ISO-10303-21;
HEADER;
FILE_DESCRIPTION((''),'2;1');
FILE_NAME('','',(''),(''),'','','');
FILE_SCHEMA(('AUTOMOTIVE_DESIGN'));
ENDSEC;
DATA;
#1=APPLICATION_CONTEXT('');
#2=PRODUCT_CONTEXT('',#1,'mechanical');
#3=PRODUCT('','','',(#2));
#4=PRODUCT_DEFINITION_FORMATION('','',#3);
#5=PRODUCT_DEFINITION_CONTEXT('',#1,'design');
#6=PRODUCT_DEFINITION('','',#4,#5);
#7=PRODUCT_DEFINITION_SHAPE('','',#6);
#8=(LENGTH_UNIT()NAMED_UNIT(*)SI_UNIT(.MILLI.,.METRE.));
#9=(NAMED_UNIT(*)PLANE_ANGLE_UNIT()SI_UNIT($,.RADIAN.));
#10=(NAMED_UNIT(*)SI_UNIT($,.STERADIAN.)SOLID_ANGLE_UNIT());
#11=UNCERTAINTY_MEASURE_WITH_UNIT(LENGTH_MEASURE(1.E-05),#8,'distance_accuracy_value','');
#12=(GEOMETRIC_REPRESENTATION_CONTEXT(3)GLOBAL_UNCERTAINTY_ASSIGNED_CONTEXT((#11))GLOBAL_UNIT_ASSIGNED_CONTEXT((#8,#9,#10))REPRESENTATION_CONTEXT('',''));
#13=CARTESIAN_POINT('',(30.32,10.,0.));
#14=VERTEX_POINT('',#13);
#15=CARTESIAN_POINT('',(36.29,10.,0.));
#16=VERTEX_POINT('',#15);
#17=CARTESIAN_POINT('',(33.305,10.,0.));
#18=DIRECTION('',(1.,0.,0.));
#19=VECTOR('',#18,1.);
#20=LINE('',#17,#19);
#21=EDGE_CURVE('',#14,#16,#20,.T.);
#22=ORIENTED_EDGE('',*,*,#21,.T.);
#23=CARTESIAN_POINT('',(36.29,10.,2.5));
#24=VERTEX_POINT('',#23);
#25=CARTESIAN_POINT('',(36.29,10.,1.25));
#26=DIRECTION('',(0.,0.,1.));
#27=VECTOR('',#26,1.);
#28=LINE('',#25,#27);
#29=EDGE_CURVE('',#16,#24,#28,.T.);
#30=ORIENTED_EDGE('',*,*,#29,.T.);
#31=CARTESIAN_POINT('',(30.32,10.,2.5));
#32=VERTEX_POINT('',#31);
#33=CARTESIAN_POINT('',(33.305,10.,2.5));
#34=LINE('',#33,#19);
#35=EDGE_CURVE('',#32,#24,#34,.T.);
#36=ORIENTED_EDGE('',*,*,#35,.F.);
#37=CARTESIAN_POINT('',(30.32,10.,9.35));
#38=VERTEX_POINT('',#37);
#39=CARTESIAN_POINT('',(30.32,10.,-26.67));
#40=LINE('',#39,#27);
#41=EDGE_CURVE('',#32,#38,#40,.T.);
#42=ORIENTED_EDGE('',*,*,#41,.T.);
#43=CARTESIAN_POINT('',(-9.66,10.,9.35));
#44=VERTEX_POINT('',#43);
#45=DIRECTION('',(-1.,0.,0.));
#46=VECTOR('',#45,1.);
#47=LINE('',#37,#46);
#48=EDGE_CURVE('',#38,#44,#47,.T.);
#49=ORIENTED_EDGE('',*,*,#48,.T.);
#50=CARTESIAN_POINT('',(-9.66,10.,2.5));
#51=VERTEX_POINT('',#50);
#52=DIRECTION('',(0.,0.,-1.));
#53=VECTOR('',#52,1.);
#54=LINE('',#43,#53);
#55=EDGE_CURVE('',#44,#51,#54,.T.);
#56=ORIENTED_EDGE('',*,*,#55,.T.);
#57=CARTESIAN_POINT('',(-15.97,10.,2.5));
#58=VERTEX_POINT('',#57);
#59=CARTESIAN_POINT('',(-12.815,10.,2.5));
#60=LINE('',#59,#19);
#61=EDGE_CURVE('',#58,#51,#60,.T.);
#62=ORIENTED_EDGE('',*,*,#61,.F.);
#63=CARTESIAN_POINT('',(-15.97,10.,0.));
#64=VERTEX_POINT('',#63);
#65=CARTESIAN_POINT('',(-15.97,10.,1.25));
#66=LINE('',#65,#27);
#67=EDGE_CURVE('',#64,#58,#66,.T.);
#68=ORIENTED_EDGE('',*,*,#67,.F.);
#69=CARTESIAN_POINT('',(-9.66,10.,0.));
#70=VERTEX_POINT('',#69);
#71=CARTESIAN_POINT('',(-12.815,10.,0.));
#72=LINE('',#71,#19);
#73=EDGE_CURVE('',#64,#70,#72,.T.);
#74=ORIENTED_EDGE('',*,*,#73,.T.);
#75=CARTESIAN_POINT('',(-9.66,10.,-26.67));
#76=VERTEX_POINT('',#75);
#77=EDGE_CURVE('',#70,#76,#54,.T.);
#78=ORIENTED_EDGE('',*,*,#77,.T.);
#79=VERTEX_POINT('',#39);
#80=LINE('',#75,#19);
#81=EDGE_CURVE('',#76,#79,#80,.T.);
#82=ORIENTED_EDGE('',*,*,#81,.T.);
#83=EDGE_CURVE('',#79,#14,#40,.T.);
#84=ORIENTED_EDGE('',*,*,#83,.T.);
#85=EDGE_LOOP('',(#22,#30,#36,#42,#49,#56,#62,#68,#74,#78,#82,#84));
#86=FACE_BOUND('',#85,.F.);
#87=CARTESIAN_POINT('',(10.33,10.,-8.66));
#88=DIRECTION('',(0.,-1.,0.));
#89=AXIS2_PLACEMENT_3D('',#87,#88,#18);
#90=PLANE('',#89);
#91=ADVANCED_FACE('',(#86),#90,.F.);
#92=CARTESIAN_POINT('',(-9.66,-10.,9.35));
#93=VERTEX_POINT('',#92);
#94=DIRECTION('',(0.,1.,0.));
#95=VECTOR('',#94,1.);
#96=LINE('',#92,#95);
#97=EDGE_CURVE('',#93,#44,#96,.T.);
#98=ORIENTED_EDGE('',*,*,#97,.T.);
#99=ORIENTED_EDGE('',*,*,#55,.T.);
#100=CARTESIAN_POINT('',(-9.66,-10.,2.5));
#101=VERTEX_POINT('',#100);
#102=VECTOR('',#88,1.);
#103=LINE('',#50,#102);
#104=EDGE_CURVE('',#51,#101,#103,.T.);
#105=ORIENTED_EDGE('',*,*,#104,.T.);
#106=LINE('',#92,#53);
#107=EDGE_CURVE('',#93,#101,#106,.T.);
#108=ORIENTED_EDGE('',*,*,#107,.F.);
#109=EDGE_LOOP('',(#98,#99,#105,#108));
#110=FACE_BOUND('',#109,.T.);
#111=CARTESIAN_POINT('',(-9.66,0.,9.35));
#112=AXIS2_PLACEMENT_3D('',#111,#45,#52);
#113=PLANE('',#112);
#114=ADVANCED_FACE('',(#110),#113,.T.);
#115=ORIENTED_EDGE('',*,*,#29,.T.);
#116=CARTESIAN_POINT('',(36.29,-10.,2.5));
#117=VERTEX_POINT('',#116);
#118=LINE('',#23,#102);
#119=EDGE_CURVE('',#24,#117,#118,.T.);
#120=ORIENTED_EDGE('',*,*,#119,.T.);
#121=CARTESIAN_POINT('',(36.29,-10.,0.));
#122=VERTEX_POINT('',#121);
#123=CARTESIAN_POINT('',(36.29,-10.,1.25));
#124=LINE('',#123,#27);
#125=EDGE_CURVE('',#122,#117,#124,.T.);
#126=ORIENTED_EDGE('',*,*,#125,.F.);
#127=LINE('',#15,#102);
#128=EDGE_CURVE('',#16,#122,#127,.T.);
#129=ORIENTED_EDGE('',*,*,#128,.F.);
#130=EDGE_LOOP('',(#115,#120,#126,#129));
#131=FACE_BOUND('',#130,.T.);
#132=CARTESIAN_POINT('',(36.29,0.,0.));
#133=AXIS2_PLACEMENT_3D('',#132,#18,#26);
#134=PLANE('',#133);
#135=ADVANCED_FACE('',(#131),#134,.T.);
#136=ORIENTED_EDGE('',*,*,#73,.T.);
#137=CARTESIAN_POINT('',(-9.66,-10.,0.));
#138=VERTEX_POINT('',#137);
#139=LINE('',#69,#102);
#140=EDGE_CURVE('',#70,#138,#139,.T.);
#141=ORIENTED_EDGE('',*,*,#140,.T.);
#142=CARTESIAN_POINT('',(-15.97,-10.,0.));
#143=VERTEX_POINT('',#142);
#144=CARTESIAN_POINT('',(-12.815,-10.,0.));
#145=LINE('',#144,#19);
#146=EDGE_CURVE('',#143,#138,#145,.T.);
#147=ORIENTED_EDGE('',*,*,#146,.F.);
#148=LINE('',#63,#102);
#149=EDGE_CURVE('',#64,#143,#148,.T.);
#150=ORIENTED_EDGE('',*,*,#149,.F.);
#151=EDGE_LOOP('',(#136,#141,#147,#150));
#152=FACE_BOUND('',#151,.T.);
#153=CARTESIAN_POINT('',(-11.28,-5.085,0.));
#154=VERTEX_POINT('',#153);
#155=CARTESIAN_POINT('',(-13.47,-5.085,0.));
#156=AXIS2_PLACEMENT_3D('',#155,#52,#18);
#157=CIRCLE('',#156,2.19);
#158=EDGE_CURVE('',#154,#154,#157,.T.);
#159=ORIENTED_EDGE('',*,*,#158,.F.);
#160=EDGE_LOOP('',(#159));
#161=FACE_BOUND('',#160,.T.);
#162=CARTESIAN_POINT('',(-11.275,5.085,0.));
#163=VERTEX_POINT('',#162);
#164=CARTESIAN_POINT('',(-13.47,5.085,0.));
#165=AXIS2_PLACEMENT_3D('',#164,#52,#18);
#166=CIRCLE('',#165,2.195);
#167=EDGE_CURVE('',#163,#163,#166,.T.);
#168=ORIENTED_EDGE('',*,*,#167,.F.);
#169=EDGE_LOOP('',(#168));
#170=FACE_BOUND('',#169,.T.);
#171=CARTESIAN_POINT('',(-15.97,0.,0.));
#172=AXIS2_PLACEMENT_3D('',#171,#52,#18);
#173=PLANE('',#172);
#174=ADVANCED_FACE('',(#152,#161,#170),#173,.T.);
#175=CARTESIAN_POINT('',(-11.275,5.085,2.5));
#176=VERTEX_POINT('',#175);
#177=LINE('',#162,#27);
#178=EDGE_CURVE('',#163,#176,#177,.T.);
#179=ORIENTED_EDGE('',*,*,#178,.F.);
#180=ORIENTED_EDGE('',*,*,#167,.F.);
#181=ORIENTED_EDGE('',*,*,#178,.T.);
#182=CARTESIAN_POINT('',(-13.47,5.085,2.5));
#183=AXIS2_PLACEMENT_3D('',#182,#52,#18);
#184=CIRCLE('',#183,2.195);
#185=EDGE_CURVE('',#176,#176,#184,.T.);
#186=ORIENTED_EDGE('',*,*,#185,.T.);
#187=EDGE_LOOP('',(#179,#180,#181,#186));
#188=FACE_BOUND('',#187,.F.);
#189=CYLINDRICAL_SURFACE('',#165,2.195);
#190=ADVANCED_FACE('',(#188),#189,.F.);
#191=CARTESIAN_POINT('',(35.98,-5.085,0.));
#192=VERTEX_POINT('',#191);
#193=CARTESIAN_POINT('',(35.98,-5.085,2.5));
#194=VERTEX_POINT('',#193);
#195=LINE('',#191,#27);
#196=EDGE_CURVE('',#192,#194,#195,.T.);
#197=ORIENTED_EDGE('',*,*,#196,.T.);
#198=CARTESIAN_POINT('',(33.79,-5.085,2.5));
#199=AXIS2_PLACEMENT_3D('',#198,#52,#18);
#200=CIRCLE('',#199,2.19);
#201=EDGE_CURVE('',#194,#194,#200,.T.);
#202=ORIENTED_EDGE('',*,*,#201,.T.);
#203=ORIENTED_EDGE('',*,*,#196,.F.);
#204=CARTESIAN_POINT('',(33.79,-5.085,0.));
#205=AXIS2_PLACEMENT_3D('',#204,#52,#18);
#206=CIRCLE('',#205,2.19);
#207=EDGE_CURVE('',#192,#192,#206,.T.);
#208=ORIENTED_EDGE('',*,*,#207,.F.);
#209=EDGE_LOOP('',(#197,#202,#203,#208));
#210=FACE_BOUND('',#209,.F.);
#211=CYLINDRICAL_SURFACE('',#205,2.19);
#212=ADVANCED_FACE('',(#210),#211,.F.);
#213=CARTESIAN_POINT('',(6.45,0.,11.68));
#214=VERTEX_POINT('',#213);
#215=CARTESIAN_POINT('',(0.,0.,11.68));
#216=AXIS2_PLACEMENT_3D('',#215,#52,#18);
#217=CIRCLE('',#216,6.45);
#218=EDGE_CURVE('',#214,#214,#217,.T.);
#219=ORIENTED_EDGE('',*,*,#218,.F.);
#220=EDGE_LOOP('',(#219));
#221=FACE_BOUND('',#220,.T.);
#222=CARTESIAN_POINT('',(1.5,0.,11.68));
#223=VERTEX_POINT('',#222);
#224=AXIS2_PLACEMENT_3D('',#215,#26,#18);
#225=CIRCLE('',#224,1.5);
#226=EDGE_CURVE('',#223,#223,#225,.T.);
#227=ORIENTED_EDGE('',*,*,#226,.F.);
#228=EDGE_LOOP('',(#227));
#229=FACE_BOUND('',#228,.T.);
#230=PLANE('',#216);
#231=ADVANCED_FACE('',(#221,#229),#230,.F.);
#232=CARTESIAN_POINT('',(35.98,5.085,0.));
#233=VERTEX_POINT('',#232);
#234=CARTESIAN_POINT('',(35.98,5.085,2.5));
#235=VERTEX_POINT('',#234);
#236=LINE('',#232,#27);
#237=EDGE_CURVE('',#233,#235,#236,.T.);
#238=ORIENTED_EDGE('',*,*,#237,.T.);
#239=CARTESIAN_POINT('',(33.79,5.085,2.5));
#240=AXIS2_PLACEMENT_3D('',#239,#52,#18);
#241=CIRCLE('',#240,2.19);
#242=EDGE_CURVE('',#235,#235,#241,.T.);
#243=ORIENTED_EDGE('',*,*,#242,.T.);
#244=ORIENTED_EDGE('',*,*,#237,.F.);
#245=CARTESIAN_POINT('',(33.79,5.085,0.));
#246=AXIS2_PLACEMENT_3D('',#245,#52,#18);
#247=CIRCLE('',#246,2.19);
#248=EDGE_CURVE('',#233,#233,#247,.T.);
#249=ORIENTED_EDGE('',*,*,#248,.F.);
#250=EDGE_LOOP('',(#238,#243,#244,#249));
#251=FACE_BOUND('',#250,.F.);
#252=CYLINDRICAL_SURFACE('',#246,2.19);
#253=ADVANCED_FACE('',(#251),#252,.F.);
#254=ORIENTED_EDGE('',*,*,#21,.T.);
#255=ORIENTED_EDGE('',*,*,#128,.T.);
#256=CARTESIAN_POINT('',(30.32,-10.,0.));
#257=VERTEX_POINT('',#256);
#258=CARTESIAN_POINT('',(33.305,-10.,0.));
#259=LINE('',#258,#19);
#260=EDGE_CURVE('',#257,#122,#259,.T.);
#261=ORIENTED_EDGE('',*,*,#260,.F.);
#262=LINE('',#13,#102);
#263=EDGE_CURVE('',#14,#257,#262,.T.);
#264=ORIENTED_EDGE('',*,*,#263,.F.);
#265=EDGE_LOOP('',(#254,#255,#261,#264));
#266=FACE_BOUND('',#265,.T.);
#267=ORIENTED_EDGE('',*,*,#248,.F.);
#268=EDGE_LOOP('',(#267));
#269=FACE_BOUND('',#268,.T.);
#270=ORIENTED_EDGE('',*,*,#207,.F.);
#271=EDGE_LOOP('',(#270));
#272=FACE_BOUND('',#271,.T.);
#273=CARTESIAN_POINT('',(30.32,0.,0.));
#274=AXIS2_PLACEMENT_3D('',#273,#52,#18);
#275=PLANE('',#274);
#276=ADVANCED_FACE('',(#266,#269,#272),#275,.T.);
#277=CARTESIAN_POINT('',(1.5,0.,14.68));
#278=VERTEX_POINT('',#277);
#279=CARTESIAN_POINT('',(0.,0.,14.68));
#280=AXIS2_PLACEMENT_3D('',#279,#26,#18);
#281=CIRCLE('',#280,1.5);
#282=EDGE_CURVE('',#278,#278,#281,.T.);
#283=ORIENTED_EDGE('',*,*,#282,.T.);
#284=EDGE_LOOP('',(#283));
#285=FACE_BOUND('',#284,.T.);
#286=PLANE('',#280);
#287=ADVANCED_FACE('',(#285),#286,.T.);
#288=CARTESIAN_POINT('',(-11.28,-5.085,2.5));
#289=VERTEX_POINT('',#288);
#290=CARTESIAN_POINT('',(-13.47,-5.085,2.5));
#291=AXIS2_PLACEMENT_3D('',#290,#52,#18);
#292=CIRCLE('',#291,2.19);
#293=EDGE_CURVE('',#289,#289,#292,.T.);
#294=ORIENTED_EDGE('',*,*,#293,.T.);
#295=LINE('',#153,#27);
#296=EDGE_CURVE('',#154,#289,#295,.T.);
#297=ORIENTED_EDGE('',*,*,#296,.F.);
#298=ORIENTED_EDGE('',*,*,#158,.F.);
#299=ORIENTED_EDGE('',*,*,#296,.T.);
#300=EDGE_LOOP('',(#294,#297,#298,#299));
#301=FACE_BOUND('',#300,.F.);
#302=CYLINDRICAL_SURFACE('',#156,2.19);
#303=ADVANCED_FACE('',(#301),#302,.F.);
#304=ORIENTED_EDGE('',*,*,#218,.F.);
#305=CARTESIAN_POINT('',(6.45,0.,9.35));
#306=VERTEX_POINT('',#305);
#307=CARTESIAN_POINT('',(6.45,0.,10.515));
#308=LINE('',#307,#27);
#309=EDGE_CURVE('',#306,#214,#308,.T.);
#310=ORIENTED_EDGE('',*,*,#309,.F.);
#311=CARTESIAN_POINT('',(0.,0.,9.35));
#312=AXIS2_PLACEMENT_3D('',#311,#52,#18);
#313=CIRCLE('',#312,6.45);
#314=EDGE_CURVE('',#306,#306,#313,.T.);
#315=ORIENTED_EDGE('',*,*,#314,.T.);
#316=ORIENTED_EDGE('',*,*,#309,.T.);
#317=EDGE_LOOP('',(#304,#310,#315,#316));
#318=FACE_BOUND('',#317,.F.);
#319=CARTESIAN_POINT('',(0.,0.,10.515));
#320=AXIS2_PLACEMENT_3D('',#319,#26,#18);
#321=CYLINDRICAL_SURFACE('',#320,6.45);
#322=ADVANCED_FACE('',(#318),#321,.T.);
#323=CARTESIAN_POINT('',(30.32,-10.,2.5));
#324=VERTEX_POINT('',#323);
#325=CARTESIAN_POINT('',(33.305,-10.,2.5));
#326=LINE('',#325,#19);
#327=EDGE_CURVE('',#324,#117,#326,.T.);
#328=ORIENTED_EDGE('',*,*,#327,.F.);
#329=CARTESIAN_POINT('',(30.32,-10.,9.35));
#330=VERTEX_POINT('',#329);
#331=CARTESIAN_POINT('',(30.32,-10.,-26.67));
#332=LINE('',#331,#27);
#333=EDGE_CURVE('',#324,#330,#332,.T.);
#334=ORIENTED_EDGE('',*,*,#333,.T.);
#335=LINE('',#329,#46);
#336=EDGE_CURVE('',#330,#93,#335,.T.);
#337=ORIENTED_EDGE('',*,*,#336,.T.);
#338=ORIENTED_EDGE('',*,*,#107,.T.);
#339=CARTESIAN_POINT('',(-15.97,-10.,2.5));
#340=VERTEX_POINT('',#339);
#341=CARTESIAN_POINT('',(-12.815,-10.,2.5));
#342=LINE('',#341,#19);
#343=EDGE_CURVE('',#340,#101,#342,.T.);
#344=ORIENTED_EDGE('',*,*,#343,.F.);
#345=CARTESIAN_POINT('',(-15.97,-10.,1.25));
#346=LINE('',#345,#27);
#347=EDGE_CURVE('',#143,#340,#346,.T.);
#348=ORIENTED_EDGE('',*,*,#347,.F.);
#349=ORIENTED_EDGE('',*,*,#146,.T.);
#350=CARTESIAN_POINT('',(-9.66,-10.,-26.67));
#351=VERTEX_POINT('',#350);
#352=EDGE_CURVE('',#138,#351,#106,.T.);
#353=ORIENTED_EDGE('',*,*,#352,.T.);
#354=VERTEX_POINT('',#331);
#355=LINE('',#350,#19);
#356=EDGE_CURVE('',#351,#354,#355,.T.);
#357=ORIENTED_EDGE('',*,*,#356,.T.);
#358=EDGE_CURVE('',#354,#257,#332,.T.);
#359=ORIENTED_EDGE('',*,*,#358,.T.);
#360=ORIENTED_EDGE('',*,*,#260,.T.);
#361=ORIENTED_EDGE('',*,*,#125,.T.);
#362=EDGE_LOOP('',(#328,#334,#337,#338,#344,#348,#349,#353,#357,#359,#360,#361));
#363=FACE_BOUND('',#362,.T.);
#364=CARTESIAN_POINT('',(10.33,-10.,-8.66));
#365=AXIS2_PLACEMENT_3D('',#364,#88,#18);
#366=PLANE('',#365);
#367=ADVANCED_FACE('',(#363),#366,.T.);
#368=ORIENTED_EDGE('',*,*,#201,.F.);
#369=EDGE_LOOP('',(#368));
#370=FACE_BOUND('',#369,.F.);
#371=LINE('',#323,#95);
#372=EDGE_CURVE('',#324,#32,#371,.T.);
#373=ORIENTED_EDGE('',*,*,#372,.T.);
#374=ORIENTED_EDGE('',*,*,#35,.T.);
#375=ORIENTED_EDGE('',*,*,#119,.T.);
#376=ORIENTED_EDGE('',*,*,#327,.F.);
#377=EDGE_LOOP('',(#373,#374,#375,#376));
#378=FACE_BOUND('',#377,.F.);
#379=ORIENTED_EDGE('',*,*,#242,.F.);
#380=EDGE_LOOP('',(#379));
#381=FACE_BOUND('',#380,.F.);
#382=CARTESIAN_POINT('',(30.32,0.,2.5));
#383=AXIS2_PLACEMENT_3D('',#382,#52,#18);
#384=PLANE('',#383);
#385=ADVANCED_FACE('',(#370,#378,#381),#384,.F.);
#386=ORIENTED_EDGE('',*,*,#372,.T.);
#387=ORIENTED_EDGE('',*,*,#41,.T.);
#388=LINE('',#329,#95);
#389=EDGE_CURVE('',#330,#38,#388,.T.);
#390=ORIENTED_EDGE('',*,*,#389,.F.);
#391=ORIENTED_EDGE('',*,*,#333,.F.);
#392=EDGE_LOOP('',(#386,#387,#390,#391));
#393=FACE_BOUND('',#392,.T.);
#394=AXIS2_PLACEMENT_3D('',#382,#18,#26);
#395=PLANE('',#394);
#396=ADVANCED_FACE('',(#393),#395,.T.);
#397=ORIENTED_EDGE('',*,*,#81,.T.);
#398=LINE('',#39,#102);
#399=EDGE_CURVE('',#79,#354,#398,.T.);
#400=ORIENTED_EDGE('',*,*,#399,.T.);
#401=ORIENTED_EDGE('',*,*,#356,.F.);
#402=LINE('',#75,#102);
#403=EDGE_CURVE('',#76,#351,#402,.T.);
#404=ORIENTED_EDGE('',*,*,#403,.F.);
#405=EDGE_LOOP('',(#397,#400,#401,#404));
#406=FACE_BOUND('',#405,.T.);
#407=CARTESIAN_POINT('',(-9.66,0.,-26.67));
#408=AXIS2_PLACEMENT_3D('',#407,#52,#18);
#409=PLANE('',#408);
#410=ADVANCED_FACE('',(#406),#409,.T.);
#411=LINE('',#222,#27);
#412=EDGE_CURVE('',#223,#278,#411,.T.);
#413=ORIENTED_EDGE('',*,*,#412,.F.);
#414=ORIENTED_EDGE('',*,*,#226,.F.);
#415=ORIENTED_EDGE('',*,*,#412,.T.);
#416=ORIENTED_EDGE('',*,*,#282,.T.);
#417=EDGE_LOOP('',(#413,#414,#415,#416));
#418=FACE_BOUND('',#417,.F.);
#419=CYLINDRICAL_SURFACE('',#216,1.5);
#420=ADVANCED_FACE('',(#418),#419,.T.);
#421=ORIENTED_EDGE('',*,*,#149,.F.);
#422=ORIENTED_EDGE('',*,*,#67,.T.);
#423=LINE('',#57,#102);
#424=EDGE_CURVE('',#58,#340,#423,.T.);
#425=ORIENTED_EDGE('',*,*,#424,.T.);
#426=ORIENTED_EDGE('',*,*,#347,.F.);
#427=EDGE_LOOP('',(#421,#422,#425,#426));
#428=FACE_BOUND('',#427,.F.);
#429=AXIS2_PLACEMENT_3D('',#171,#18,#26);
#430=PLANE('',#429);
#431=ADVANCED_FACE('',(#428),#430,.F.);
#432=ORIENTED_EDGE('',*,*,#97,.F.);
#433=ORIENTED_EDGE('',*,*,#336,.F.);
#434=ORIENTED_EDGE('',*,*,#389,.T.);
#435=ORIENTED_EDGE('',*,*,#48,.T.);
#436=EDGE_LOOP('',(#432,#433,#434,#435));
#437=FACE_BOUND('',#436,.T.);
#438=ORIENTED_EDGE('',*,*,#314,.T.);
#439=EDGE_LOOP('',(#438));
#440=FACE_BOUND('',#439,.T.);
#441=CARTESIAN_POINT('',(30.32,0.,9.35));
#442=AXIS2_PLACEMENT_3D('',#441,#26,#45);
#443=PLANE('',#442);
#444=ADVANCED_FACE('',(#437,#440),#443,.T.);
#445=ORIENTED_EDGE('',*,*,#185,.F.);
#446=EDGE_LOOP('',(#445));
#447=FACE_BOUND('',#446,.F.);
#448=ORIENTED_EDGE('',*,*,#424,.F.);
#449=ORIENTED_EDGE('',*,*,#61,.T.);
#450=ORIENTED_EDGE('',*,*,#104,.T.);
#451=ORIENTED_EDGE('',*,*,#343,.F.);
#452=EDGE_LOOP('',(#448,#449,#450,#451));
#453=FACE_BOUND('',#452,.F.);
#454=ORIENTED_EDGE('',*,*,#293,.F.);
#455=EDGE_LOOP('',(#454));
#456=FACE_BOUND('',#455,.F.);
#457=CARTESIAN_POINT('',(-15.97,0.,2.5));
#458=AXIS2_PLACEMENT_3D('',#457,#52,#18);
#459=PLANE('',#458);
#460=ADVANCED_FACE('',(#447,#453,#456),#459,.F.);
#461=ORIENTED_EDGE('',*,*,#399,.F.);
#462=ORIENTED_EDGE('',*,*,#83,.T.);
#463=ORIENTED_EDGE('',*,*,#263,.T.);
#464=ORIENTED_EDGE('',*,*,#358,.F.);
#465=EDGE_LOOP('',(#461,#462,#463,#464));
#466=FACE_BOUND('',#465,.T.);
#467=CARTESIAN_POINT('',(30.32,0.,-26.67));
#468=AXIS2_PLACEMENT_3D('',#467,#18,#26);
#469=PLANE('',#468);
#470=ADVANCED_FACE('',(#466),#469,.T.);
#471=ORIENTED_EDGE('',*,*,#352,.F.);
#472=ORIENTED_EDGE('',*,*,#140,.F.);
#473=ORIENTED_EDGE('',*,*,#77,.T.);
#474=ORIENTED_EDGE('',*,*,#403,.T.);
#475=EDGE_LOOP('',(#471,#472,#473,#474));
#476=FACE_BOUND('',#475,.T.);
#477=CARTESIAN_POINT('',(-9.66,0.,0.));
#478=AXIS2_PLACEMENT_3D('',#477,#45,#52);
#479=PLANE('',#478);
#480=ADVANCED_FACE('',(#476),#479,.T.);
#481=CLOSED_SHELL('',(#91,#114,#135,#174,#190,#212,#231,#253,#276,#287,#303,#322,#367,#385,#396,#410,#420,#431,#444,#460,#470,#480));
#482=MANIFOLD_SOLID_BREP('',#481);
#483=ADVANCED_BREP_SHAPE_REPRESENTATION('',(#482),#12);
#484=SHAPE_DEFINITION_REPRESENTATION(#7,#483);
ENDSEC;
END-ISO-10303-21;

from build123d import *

# Parameters (mm, degrees)
F0_W     = 5.97
F0_H     = 2.5
F0_W_2   = 6.31
F1_DEPTH = 10
F0_W_3   = 6.45
F0_H_2   = 2.33
F3_R     = 2.19
F3_R_2   = 2.195
F4_DEPTH = 2.5
F5_R     = 2.19
F6_DEPTH = 2.5
F7_R     = 1.5
F8_DEPTH = 3


with BuildPart() as f1:
    # F0 (on Front) → F1 (new body, symmetric)
    with BuildSketch(Plane.XZ):
        Polygon((-6.45, 9.35), (-9.66, 9.35), (-9.66, 2.5), (-9.66, 0), (-9.66, -26.67), (30.32, -26.67), (30.32, 0), (30.32, 2.5), (30.32, 9.35), (6.45, 9.35), (0, 9.35), align=None)
        with Locations((33.305, 1.25)):
            Rectangle(F0_W, F0_H)
        with Locations((-12.815, 1.25)):
            Rectangle(F0_W_2, F0_H)
    extrude(amount=F1_DEPTH, both=True)

    # F0 (on Front) → F2 (revolve)
    with BuildSketch(Plane.XZ):
        with Locations((3.225, 10.515)):
            Rectangle(F0_W_3, F0_H_2)
    revolve(axis=Axis((0, 0, -16.804387), (0, 0, -1)))

    # F3 (on face) → F4 (cut, through all)
    with BuildSketch(Plane(origin=(0, 0, 0), x_dir=(1, 0, 0), z_dir=(0, 0, -1))):
        with Locations((-13.47, 5.085)):
            Circle(F3_R)
        with Locations((-13.47, -5.085)):
            Circle(F3_R_2)
    extrude(amount=-F4_DEPTH, mode=Mode.SUBTRACT)

    # F5 (on face) → F6 (cut, through all)
    with BuildSketch(Plane(origin=(0, 0, 0), x_dir=(1, 0, 0), z_dir=(0, 0, -1))):
        with Locations((33.79, 5.085)):
            Circle(F5_R)
        with Locations((33.79, -5.085)):
            Circle(F5_R)
    extrude(amount=-F6_DEPTH, mode=Mode.SUBTRACT)

    # F7 (on face) → F8 (join)
    with BuildSketch(Plane.XY.offset(11.68)):
        Circle(F7_R)
    extrude(amount=F8_DEPTH)


solid = f1.part
